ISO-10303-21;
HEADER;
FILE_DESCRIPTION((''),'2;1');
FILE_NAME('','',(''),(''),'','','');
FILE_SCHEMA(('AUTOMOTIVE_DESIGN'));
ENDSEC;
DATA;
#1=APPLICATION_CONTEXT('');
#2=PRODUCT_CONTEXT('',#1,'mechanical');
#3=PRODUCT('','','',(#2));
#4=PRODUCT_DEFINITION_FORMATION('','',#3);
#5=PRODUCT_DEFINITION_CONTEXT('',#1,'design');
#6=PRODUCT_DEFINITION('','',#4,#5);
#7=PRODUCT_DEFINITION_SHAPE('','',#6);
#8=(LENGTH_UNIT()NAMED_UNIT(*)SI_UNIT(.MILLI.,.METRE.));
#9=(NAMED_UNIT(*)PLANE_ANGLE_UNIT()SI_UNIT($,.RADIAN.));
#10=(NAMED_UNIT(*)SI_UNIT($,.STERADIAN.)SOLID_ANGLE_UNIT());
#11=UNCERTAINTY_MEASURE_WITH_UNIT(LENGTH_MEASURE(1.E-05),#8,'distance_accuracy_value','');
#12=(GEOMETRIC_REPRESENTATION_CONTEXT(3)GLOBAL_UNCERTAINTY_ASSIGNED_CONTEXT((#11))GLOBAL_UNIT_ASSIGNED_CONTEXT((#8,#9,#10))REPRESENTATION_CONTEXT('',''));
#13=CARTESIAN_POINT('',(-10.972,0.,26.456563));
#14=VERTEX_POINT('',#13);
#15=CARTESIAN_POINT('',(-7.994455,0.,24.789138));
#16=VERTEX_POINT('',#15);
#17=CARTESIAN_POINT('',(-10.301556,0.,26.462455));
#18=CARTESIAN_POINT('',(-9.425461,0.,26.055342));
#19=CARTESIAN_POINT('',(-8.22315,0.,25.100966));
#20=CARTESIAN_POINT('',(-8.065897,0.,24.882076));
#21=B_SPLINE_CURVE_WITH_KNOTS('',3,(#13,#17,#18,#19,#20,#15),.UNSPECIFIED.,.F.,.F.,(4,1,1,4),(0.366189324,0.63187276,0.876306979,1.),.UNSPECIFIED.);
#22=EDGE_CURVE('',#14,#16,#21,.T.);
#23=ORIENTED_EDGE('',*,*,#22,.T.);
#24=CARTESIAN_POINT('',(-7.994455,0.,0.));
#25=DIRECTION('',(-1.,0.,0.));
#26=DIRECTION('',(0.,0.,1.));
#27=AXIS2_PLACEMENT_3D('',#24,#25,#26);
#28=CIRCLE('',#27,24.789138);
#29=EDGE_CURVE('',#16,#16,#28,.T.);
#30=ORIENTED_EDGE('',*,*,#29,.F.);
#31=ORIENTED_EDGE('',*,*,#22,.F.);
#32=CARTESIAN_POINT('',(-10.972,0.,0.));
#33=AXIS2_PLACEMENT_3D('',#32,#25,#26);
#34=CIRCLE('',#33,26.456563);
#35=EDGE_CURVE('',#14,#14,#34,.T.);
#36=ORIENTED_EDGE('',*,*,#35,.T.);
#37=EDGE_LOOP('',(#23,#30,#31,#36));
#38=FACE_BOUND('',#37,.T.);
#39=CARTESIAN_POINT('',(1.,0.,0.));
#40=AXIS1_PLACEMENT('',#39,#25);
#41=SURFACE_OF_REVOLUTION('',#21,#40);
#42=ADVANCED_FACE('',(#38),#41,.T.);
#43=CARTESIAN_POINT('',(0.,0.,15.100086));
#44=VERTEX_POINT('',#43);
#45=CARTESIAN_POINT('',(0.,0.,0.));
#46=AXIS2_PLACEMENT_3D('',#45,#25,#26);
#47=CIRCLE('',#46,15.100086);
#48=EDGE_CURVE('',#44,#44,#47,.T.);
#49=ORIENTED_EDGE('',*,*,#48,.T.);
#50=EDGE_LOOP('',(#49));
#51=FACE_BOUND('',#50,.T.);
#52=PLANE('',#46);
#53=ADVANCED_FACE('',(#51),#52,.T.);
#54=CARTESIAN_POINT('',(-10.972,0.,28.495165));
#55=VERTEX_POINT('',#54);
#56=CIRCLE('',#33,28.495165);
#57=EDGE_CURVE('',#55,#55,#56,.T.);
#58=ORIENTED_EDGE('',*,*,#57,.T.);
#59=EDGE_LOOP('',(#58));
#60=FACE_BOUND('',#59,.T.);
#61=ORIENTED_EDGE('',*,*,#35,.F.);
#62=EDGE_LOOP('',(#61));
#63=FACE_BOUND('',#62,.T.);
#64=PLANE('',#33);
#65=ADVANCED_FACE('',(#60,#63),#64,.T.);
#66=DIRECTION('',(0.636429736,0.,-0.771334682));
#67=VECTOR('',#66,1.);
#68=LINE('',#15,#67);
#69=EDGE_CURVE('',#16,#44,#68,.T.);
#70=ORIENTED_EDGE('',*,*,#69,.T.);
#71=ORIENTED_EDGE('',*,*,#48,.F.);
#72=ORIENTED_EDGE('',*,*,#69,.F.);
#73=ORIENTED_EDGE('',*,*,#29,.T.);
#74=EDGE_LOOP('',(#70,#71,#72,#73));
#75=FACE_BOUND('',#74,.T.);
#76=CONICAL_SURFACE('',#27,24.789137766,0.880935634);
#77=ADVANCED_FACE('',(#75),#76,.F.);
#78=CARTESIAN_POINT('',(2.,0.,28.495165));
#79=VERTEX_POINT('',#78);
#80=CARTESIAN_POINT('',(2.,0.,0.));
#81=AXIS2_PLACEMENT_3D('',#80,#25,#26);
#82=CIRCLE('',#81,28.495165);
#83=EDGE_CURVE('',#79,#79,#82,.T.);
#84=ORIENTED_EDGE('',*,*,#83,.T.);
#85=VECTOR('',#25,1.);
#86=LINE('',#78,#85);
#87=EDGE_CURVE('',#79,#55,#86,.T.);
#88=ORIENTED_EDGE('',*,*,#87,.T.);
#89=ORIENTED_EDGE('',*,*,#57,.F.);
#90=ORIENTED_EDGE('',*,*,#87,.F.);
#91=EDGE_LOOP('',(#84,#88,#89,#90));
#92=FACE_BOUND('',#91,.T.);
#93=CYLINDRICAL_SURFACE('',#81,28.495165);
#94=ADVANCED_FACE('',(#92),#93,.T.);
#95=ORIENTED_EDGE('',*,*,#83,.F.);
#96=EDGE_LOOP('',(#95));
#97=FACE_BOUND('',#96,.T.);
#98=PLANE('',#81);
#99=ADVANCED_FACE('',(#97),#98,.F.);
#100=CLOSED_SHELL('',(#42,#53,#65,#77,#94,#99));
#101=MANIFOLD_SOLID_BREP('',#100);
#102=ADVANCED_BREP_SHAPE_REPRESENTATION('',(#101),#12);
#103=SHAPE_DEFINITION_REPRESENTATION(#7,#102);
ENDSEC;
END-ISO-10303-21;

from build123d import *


with BuildPart() as f1:
    # F0 (on Front) → F1 (revolve)
    with BuildSketch(Plane.XZ):
        with BuildLine():
            add(Edge.make_bspline(
                [(-10.972, 26.4565628022), (-10.3015559122, 26.4624551956), (-9.4254614686, 26.0553417029), (-8.2231500026, 25.1009661647), (-8.0658965607, 24.8820760133), (-7.9944550925, 24.7891377658)],
                knots=[0.3661893236, 0.3661893236, 0.3661893236, 0.3661893236, 0.63187276, 0.8763069792, 1, 1, 1, 1], degree=3))
            Line((-7.9944550925, 24.7891377658), (0, 15.100086289))
            Line((0, 15.100086289), (0, 0))
            Line((0, 0), (2, 0))
            Line((2, 0), (2, 28.4951649422))
            Line((2, 28.4951649422), (0, 28.4951649422))
            Line((0, 28.4951649422), (-10.972, 28.4951649422))
            Line((-10.972, 28.4951649422), (-10.972, 26.4565628022))
        make_face()
    revolve(axis=Axis((1, 0, 0), (-1, 0, 0)))


solid = f1.part
